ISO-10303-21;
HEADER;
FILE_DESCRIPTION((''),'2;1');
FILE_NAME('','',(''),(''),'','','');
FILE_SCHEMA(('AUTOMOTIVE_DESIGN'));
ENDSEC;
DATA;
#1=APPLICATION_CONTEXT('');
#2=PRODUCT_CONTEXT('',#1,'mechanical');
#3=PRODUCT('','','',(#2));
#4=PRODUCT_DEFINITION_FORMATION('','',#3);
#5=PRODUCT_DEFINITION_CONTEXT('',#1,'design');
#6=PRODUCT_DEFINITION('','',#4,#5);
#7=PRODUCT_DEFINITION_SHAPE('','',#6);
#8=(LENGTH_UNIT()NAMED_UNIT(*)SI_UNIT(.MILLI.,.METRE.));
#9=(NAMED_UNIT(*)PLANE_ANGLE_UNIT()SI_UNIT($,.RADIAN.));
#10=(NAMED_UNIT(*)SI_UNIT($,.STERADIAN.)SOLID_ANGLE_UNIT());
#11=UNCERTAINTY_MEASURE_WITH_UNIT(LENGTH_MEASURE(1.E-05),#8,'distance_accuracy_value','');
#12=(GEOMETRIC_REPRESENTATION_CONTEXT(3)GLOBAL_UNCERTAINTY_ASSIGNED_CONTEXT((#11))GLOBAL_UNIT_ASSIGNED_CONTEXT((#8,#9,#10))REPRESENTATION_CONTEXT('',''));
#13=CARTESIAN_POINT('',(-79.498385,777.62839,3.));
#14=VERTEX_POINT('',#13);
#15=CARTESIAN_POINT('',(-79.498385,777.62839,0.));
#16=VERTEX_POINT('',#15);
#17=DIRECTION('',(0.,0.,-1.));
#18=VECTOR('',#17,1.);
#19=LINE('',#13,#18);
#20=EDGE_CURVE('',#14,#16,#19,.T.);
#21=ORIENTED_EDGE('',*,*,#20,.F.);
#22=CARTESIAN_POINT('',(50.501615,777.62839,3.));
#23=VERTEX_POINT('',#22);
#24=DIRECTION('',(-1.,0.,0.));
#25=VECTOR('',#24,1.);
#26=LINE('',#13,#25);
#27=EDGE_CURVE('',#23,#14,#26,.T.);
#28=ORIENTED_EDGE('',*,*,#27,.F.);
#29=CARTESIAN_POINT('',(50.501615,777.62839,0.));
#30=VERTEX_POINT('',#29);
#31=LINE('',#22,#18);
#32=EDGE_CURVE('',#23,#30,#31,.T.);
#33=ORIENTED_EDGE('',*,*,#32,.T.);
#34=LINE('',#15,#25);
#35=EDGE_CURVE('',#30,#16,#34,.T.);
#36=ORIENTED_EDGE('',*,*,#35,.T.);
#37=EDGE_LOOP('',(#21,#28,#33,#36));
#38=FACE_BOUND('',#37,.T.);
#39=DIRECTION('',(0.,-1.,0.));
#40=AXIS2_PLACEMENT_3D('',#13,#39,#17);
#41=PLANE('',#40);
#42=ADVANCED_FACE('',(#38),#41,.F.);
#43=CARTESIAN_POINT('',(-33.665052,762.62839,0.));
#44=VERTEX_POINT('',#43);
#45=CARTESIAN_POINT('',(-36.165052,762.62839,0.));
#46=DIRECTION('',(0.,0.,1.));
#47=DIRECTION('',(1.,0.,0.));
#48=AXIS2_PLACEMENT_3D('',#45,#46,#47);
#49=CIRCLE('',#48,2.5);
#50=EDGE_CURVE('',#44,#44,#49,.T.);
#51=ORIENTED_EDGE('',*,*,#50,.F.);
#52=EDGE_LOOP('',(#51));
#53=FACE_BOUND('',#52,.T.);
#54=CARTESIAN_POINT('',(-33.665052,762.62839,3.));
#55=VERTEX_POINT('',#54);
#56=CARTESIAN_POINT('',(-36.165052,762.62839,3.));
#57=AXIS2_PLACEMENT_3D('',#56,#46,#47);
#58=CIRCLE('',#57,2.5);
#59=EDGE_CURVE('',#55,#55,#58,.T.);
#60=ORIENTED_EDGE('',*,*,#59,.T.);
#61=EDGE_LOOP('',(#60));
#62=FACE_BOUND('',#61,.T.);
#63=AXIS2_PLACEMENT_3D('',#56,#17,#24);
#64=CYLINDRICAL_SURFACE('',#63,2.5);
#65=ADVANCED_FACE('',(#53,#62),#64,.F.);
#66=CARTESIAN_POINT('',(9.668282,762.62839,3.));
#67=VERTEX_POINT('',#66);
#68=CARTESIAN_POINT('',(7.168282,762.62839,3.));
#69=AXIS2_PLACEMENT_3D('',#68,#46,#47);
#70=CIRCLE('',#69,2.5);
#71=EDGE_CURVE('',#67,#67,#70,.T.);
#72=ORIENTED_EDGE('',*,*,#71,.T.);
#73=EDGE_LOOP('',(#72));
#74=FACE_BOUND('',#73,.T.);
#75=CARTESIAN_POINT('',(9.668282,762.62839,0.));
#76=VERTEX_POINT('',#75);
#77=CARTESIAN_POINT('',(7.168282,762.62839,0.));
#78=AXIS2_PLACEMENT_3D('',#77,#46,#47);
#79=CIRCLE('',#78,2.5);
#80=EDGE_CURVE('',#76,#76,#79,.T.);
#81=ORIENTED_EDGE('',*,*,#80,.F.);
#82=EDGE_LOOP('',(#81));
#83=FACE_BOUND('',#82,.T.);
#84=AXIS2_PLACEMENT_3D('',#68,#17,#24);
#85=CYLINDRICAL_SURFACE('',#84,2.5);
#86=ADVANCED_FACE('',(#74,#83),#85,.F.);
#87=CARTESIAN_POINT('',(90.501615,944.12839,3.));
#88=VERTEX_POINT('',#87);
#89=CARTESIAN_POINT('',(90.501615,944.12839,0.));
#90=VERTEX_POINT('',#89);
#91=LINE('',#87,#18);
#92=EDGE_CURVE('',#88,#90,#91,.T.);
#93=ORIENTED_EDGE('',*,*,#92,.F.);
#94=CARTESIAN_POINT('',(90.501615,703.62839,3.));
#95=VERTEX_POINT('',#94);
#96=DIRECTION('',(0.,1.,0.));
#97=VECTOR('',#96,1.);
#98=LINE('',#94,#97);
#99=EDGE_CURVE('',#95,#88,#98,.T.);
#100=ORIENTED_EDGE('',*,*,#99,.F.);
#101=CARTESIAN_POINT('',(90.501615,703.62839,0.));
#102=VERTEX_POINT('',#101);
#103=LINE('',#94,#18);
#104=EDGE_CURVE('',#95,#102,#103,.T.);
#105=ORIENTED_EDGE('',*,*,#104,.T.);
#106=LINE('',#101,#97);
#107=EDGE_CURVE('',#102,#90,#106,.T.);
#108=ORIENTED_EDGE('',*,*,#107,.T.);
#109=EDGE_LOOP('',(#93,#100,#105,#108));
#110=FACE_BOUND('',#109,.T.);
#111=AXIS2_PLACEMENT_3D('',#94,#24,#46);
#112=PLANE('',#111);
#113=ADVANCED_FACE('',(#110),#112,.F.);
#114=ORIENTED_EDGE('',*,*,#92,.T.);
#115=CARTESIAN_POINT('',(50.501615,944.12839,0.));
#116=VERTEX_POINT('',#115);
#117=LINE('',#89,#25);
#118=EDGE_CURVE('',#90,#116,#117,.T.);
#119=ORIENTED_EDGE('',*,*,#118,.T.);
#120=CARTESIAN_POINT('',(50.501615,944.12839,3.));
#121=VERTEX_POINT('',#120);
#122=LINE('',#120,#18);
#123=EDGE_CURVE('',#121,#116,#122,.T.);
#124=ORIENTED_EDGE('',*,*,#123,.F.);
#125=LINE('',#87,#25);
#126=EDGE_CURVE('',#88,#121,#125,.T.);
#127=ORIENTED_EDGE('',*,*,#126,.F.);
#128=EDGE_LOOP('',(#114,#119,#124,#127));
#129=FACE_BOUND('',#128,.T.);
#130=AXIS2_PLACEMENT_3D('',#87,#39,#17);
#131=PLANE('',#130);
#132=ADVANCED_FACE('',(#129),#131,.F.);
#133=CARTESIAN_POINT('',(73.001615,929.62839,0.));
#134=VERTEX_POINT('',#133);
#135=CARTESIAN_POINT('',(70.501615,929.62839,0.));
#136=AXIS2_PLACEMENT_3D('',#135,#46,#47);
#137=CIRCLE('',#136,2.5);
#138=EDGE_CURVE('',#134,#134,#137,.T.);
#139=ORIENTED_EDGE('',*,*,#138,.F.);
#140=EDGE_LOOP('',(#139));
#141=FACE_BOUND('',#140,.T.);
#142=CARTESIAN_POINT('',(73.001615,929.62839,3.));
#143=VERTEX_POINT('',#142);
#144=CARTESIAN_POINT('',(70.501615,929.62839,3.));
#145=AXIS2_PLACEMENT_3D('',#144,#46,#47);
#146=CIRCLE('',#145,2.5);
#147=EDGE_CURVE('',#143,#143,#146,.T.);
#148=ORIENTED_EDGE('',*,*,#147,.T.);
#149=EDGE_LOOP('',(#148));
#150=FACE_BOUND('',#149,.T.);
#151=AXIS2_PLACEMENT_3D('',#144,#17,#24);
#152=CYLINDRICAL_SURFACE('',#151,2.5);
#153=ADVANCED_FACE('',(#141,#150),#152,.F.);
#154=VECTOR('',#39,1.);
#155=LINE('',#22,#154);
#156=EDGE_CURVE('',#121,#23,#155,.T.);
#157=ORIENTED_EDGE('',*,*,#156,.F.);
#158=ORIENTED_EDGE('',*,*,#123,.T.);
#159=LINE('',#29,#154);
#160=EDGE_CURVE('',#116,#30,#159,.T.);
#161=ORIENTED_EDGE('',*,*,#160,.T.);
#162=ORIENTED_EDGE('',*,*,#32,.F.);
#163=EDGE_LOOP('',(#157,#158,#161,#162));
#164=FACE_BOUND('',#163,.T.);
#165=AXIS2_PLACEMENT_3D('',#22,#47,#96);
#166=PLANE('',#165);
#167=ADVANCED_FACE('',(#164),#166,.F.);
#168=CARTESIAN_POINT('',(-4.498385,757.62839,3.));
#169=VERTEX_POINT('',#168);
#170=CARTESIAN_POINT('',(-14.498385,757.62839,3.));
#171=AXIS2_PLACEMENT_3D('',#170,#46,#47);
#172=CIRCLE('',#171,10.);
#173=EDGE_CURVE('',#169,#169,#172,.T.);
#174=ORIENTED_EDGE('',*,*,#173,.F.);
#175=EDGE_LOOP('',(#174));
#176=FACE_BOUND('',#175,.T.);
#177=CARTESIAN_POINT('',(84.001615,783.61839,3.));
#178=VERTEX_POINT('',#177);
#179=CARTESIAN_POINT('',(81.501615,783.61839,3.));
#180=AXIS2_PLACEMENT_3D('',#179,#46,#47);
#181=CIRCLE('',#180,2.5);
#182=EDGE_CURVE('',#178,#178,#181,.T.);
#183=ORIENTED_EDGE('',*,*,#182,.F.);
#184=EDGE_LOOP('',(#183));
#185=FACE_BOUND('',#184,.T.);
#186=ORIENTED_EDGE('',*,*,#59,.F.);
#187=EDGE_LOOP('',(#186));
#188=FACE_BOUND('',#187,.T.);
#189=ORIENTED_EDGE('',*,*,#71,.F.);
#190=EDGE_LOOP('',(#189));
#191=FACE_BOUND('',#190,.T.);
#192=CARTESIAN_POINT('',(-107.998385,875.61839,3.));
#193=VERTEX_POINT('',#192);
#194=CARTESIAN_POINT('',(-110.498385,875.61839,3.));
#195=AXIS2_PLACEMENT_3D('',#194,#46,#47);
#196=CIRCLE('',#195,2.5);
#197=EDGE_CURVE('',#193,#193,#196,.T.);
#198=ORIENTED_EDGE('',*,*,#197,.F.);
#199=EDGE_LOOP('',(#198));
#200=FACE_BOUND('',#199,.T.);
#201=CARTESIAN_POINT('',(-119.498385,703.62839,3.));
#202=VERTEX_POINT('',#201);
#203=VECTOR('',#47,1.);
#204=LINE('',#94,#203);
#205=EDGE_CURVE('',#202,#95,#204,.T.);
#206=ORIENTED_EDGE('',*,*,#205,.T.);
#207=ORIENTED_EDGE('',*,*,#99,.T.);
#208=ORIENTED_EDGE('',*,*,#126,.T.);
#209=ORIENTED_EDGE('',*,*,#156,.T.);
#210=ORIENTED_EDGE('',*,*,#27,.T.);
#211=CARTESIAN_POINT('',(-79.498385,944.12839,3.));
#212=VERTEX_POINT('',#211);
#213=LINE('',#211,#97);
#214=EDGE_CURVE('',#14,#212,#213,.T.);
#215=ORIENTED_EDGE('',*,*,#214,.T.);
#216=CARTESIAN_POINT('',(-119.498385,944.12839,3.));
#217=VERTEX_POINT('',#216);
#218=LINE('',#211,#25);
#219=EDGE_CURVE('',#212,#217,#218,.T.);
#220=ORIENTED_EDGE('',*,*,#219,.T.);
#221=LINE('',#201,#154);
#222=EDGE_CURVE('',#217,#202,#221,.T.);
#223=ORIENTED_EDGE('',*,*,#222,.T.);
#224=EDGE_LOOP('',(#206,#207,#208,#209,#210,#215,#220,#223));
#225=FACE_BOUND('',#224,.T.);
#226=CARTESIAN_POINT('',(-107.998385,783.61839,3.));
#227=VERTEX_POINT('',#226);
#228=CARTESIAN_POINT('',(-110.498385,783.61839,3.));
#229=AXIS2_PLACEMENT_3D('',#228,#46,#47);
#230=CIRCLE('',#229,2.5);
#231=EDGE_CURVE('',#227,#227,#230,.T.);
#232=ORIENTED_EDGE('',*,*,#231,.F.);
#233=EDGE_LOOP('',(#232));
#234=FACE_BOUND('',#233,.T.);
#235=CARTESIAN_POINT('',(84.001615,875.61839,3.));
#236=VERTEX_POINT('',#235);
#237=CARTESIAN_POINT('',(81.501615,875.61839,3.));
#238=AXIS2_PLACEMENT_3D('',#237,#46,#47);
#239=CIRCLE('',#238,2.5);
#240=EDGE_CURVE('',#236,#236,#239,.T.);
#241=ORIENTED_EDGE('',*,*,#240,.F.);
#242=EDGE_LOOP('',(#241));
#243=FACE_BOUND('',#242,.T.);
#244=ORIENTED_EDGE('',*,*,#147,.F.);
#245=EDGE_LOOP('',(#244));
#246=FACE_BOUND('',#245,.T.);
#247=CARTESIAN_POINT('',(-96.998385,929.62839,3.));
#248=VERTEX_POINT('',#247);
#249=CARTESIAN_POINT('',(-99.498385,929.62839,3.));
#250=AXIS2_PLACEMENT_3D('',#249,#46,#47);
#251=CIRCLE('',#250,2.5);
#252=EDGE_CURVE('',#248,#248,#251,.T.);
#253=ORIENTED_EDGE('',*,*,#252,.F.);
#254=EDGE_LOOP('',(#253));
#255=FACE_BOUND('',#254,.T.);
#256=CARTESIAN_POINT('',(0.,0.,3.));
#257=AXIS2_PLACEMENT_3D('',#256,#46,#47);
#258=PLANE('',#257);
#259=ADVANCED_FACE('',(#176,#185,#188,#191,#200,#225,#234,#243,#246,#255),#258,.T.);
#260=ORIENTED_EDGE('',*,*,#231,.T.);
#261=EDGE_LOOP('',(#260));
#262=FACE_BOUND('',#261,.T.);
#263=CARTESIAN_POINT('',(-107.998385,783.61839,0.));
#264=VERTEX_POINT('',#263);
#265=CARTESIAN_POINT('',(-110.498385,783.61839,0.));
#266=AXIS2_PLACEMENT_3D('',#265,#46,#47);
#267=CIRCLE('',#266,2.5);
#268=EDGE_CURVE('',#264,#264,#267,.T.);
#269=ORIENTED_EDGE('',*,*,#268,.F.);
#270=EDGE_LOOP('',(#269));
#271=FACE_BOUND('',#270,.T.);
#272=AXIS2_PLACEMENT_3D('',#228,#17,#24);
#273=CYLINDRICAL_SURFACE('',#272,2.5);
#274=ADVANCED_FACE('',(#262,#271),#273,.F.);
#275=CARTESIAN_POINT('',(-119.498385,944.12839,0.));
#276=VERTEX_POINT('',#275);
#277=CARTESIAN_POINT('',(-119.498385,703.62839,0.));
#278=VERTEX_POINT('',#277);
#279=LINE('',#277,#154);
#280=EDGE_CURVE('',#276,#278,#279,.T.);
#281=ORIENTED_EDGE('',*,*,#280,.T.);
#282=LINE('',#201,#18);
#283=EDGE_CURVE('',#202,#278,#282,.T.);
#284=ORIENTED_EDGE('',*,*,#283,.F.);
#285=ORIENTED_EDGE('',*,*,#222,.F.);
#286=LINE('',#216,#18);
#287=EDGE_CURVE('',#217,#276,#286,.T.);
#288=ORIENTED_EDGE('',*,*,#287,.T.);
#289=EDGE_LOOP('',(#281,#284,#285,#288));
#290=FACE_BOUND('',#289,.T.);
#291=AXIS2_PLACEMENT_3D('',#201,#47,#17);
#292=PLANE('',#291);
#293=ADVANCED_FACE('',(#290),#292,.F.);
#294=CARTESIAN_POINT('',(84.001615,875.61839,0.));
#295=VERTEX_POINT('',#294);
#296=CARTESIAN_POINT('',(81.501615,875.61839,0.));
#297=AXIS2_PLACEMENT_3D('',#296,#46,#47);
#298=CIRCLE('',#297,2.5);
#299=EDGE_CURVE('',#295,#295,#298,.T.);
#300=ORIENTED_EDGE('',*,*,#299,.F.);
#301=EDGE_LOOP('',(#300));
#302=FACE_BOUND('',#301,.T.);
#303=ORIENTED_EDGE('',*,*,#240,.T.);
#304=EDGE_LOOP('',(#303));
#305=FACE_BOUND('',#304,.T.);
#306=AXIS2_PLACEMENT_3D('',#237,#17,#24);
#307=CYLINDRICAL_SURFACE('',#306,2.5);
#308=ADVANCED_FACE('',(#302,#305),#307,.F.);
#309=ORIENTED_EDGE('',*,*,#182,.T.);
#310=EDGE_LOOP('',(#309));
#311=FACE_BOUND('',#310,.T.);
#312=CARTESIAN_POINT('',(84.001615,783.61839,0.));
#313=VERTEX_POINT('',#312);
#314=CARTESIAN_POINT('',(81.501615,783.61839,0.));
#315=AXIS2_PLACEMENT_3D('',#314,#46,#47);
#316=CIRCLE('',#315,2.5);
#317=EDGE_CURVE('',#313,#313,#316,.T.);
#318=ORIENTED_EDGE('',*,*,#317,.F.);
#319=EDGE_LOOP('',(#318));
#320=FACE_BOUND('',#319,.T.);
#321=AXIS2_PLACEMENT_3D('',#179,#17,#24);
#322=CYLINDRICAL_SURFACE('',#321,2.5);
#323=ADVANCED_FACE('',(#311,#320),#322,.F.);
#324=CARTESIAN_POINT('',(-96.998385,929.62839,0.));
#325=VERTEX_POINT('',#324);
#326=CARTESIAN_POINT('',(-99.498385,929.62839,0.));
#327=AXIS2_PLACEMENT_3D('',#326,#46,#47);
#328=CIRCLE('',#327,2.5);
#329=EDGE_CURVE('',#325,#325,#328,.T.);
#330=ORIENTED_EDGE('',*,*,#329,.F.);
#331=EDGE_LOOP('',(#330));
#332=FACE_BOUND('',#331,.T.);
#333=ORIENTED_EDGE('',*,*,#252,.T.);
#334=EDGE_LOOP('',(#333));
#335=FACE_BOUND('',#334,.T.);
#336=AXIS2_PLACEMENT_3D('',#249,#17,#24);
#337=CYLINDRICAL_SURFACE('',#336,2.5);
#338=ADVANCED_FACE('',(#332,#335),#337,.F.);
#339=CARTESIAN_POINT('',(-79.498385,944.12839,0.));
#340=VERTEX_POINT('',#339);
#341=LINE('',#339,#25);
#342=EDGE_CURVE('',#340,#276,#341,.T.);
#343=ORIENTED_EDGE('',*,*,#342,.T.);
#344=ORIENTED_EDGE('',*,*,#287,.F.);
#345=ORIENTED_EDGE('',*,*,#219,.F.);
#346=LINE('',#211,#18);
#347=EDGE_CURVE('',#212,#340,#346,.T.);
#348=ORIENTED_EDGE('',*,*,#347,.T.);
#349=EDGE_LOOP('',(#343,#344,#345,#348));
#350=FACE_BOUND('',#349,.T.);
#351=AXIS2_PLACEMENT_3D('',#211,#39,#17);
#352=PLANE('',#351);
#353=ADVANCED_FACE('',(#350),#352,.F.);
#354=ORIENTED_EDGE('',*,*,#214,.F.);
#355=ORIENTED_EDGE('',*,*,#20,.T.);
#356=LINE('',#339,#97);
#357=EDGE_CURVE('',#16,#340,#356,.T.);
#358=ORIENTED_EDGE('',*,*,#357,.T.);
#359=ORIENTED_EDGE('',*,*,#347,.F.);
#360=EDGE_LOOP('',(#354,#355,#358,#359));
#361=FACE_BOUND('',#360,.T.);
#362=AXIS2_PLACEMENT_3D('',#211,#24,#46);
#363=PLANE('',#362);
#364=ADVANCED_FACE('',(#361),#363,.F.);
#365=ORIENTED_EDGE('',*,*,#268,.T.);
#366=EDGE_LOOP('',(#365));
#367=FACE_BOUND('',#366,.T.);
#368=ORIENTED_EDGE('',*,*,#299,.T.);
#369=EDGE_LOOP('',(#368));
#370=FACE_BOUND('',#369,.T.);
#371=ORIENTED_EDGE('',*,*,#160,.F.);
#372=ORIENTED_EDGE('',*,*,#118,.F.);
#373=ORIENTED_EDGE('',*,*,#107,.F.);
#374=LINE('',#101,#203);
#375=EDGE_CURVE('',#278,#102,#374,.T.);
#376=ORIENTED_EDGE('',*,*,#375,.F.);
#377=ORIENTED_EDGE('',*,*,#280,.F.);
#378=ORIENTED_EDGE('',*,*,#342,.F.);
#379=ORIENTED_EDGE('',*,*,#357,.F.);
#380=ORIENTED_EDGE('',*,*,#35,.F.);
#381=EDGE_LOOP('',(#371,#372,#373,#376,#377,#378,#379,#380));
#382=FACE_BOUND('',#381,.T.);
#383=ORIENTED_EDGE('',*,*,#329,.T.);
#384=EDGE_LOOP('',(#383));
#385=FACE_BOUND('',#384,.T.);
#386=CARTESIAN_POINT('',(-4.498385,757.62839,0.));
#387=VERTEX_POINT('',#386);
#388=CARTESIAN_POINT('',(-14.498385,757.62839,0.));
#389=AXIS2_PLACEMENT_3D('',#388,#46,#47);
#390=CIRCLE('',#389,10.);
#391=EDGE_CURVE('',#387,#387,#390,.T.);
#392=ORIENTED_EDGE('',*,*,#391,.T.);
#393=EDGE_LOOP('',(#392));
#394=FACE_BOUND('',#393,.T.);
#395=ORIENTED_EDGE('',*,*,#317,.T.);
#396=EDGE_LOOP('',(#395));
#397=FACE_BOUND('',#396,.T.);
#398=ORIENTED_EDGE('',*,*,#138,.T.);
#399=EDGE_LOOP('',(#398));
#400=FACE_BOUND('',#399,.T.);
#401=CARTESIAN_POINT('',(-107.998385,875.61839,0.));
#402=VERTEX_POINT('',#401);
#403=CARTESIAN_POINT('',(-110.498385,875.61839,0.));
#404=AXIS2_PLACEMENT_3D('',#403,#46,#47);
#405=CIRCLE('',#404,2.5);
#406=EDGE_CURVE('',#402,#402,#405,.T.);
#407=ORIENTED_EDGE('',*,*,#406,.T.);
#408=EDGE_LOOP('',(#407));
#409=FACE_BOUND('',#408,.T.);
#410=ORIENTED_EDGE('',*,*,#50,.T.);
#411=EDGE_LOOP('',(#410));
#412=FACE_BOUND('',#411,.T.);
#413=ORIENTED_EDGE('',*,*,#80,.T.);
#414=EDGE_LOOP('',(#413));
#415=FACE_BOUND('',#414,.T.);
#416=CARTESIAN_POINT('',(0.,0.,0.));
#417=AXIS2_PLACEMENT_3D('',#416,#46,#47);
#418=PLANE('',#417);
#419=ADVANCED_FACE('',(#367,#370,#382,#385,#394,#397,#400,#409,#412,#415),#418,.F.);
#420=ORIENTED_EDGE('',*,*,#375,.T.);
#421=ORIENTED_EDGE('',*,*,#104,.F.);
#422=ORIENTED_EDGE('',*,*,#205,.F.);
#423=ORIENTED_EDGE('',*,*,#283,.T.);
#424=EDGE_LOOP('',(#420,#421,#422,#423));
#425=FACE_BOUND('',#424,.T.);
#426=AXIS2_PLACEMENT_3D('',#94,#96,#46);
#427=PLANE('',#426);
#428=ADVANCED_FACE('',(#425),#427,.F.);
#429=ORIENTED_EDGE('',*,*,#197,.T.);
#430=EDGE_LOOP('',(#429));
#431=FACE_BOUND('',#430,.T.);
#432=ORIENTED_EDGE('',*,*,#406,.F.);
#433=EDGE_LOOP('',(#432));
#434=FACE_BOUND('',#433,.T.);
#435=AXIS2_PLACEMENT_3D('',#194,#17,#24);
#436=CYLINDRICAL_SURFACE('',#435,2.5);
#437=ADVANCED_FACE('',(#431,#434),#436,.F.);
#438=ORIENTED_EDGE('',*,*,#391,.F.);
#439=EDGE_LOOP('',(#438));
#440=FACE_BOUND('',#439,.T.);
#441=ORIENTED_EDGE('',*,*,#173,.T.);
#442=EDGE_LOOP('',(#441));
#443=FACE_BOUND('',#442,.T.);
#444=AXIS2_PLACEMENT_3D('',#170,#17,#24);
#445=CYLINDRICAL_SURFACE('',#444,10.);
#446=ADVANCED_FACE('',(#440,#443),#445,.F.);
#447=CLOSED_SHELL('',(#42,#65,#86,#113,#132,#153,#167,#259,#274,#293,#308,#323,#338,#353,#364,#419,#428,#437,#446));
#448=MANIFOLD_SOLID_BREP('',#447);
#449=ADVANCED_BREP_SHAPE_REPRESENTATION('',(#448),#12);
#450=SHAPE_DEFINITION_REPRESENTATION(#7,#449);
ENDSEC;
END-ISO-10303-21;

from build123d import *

# Parameters (mm, degrees)
CROQUIS1_R              = 2.5
CROQUIS1_R_2            = 10
SALIENTE_EXTRUIR1_DEPTH = 3


with BuildPart() as part:
    # Croquis1 → Saliente-Extruir1 (new body)
    with BuildSketch(Plane.XY):
        Polygon((-79.498385096, 944.128389678), (-79.498385096, 777.628389678), (50.501614904, 777.628389678), (50.501614904, 944.128389678), (90.501614904, 944.128389678), (90.501614904, 703.628389678), (-119.498385096, 703.628389678), (-119.498385096, 944.128389678), align=None)
        with Locations((70.501614904, 929.628389678)):
            Circle(CROQUIS1_R, mode=Mode.SUBTRACT)
        with Locations((81.501614904, 875.618389678)):
            Circle(CROQUIS1_R, mode=Mode.SUBTRACT)
        with Locations((81.501614904, 783.618389678)):
            Circle(CROQUIS1_R, mode=Mode.SUBTRACT)
        with Locations((-36.165051763, 762.628389678)):
            Circle(CROQUIS1_R, mode=Mode.SUBTRACT)
        with Locations((-110.498385096, 783.618389678)):
            Circle(CROQUIS1_R, mode=Mode.SUBTRACT)
        with Locations((-110.498385096, 875.618389678)):
            Circle(CROQUIS1_R, mode=Mode.SUBTRACT)
        with Locations((-99.498385096, 929.628389678)):
            Circle(CROQUIS1_R, mode=Mode.SUBTRACT)
        with Locations((7.168281571, 762.628389678)):
            Circle(CROQUIS1_R, mode=Mode.SUBTRACT)
        with Locations((-14.498385096, 757.628389678)):
            Circle(CROQUIS1_R_2, mode=Mode.SUBTRACT)
    extrude(amount=SALIENTE_EXTRUIR1_DEPTH)


solid = part.part
